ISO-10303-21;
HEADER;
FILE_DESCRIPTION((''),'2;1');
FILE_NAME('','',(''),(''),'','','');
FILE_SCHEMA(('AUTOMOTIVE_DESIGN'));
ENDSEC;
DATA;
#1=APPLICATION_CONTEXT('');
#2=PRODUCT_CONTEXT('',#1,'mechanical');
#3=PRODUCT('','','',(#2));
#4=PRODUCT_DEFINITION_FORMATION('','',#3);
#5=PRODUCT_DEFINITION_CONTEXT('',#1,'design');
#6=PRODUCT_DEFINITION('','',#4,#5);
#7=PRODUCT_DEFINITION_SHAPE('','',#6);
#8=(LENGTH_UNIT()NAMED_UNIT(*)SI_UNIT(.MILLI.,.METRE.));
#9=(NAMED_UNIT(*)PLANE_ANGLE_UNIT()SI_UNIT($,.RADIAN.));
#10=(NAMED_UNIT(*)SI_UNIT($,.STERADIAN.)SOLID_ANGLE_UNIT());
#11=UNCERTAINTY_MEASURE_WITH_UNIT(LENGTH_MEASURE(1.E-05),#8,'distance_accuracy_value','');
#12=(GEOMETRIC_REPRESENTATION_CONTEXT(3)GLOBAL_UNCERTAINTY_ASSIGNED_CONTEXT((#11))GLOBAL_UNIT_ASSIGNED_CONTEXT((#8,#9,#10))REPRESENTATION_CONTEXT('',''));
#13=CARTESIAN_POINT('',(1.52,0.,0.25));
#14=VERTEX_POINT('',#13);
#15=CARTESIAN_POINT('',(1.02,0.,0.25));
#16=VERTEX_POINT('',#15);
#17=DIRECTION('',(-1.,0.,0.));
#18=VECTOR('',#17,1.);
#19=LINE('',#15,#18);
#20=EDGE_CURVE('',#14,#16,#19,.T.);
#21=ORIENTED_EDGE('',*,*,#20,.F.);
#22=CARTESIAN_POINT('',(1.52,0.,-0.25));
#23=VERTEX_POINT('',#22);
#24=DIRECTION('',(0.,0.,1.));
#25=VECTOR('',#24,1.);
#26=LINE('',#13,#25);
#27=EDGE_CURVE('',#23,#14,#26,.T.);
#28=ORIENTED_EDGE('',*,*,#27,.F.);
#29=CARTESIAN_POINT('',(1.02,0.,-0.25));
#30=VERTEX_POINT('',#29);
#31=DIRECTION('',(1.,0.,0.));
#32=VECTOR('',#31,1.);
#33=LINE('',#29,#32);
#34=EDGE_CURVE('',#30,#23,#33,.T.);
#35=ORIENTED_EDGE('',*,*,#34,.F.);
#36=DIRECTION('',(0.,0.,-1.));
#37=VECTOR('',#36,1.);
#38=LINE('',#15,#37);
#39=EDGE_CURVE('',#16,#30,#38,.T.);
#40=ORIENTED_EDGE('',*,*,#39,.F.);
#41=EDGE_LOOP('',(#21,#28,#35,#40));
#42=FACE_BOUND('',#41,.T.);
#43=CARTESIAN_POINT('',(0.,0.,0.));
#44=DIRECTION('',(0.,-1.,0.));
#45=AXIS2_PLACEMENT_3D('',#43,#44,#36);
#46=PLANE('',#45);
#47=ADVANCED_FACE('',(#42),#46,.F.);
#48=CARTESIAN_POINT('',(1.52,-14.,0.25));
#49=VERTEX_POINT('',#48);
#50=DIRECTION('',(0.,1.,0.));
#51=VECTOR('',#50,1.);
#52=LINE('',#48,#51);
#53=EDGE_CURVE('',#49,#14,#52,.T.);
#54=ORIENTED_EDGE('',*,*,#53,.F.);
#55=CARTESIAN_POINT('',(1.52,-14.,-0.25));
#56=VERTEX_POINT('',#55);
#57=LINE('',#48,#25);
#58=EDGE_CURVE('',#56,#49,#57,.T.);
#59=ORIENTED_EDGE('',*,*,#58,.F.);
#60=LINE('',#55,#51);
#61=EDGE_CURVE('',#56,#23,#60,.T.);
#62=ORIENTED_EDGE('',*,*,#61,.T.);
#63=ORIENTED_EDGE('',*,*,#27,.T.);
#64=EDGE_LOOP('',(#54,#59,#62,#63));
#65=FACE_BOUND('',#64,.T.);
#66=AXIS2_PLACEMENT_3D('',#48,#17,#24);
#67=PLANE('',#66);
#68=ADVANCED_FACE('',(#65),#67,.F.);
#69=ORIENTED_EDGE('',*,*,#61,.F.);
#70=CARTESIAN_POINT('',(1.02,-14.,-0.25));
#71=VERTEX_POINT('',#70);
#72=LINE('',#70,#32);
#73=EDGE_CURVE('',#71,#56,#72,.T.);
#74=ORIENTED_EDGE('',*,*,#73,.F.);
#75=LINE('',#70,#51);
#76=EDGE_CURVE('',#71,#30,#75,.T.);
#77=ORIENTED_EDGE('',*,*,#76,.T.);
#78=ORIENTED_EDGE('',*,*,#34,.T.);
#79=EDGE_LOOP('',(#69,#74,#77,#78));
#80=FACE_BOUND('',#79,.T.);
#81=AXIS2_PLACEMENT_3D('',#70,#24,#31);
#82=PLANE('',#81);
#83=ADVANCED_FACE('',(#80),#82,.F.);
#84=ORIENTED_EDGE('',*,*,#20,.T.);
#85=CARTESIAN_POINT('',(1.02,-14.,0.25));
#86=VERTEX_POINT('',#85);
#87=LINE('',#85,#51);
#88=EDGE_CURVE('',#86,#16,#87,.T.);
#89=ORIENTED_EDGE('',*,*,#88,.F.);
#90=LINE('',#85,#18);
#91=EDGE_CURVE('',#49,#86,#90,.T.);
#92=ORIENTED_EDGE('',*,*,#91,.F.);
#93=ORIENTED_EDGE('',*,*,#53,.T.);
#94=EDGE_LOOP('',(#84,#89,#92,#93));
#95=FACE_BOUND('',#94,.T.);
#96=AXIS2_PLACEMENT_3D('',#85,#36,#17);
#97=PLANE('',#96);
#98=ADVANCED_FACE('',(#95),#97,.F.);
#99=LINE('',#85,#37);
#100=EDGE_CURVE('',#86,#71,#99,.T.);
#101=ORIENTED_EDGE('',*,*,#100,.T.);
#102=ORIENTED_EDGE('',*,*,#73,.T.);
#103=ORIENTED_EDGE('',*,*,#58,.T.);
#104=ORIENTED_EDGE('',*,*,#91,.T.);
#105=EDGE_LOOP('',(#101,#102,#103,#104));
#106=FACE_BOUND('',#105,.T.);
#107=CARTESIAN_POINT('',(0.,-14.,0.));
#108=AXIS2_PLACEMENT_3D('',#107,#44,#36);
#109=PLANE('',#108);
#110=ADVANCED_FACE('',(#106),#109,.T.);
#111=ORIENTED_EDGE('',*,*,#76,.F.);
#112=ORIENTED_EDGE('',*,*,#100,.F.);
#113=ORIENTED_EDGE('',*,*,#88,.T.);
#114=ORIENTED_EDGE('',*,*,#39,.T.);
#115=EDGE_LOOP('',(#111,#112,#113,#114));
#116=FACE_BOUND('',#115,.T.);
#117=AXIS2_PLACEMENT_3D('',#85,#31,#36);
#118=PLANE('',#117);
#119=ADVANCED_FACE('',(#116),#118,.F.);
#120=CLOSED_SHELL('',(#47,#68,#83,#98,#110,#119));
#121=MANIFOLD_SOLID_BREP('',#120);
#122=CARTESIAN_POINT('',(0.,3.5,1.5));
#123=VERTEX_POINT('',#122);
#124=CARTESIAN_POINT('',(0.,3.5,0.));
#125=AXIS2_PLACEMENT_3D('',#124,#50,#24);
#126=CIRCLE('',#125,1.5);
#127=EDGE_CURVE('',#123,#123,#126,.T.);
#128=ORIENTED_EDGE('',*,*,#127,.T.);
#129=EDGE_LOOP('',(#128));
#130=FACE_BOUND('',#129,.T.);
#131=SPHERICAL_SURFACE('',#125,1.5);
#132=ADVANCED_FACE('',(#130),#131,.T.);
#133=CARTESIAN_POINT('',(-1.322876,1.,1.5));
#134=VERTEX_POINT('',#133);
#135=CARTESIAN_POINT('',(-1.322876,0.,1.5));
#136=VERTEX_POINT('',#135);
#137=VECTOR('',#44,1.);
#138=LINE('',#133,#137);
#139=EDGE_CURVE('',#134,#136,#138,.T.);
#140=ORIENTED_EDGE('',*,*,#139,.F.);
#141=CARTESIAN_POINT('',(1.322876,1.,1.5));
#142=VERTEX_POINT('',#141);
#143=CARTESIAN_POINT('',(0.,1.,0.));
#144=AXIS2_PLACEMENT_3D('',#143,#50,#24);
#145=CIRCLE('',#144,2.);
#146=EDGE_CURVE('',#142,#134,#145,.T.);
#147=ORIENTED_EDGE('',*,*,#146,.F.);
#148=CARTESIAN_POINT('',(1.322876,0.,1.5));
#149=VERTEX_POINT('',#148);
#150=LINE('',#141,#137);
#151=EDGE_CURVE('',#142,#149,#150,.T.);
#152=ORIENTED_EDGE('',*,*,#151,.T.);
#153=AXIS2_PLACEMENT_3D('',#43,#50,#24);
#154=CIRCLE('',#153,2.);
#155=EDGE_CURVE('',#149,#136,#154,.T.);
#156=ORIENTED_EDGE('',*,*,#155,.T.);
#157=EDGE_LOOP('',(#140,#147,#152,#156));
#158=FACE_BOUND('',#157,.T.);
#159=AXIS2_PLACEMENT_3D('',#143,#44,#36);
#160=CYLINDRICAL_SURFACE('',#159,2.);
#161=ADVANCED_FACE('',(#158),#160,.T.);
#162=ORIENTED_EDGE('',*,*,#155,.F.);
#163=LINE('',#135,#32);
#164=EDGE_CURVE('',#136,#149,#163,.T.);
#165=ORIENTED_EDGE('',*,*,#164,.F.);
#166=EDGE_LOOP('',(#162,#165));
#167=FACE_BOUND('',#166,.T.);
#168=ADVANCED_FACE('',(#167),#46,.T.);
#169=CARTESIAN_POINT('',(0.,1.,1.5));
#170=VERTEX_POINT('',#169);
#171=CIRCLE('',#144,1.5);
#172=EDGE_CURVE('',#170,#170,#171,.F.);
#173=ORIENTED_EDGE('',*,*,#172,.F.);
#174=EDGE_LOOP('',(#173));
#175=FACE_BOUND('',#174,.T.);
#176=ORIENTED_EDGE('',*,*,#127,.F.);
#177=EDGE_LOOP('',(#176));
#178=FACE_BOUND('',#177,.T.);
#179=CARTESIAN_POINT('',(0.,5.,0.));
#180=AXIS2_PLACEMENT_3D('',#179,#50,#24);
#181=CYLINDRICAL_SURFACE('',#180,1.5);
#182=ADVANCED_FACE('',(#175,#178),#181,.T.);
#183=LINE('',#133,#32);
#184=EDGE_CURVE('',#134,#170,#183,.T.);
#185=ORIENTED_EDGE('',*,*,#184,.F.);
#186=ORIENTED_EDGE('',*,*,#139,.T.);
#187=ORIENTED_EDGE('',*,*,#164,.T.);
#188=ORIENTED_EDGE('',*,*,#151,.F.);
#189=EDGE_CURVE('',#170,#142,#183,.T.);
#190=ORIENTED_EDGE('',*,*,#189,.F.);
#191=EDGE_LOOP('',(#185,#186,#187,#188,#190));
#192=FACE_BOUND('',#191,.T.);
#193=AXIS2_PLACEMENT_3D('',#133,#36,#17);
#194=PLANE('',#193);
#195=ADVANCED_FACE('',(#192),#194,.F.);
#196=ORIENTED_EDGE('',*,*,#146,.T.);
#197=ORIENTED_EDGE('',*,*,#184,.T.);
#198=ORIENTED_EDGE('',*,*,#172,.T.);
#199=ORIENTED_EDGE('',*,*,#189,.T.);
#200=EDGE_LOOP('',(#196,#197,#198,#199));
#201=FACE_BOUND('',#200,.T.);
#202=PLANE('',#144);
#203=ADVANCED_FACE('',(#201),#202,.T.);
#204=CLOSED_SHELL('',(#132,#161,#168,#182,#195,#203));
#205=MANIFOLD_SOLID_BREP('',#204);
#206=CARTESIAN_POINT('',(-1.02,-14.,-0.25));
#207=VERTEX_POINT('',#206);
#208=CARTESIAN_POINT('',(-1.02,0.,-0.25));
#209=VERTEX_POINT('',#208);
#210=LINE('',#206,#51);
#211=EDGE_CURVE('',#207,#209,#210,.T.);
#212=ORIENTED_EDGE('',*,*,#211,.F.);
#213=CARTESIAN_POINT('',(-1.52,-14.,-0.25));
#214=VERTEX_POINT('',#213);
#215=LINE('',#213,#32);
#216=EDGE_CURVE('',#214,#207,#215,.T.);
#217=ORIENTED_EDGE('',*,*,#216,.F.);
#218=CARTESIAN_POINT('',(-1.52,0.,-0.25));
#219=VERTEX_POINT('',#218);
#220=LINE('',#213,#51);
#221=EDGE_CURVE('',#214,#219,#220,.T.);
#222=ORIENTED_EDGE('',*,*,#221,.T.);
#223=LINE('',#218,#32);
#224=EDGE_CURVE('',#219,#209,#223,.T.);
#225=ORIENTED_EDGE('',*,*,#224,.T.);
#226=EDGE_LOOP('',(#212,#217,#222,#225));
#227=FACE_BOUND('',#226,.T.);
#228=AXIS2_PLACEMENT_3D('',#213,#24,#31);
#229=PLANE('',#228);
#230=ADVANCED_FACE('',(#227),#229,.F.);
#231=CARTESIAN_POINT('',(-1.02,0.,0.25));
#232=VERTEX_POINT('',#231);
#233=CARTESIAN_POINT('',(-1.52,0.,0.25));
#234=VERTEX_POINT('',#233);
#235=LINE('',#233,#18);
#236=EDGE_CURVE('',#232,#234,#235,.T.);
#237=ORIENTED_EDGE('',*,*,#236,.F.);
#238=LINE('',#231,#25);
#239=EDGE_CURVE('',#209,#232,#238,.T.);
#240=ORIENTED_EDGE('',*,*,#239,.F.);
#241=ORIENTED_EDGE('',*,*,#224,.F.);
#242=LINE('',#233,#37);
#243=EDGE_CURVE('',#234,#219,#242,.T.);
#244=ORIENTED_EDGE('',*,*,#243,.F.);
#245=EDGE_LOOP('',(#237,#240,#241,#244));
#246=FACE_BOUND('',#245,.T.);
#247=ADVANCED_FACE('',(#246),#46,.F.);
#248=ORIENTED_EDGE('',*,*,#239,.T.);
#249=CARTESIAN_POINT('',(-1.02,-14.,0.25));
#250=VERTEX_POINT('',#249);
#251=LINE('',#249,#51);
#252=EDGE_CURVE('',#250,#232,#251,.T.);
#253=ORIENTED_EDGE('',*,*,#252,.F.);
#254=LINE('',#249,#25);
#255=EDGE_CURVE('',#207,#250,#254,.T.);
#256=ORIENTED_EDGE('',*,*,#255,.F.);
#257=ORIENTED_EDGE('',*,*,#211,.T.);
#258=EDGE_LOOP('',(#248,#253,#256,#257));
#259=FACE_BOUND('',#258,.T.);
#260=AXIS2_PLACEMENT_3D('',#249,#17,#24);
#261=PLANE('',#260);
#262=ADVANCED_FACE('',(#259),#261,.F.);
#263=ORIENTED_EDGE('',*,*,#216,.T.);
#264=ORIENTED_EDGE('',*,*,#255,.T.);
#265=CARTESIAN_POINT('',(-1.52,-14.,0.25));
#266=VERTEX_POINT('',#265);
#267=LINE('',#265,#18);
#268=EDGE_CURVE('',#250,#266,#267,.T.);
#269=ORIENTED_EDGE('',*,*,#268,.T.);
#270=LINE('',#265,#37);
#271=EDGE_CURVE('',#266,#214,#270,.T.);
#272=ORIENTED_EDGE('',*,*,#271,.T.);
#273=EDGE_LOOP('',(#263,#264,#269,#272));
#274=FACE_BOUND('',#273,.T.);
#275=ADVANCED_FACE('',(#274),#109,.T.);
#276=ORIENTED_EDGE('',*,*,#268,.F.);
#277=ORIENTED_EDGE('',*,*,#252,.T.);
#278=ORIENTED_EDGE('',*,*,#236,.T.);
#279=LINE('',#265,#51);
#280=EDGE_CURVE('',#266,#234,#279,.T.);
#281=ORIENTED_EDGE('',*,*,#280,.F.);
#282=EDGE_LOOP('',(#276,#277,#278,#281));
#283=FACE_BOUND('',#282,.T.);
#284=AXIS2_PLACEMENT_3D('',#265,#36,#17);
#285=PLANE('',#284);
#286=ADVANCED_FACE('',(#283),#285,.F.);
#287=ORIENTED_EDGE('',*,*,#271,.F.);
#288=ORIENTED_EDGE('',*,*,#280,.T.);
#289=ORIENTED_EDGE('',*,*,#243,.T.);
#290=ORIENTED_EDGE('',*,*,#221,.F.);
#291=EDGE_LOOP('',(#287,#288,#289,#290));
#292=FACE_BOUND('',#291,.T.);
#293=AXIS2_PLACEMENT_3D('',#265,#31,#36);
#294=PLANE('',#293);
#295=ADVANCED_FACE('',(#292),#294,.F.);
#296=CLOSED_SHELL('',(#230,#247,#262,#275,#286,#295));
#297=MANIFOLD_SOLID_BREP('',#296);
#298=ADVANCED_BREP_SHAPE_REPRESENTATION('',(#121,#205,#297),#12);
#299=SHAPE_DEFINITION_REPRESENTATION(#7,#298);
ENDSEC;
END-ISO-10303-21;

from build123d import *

# Parameters (mm, degrees)
BOSS_EXTRUDE1_DEPTH   = 1
SKETCH3_W             = 0.5
SKETCH3_H             = 0.5
BOSS_EXTRUDE2_DEPTH   = 14
BOSS_EXTRUDE2_2_DEPTH = 14


with BuildPart() as part:
    # Sketch1 → Revolve1 (revolve)
    with BuildSketch(Plane(origin=(0, 0, 0), x_dir=(0, 0, -1), z_dir=(1, 0, 0))):
        with BuildLine():
            Line((-1.5, 0), (-1.5, 3.5))
            ThreePointArc((-1.5, 3.5), (-1.060660172, 4.560660172), (0, 5))
            Line((0, 5), (0, 0))
            Line((0, 0), (-1.5, 0))
        make_face()
    revolve(axis=Axis((0, 5, 0), (0, -1, 0)))

    # Sketch2 → Boss-Extrude1 (add)
    with BuildSketch(Plane(origin=(0, 0, 0), x_dir=(1, 0, 0), z_dir=(0, 1, 0))):
        with BuildLine():
            Line((-1.322875656, -1.5), (1.322875656, -1.5))
            ThreePointArc((1.322875656, -1.5), (0, 2), (-1.322875656, -1.5))
        make_face()
    extrude(amount=BOSS_EXTRUDE1_DEPTH)


with BuildPart() as body_2:
    # Sketch3 → Boss-Extrude2 (new body)
    with BuildSketch(Plane.XZ):
        with Locations((-1.27, 0)):
            Rectangle(SKETCH3_W, SKETCH3_H)
    extrude(amount=BOSS_EXTRUDE2_DEPTH)


with BuildPart() as body_3:
    # Sketch3 → Boss-Extrude2 2 (new body)
    with BuildSketch(Plane.XZ):
        with Locations((1.27, 0)):
            Rectangle(SKETCH3_W, SKETCH3_H)
    extrude(amount=BOSS_EXTRUDE2_2_DEPTH)


solid = Compound([part.part, body_2.part, body_3.part])
